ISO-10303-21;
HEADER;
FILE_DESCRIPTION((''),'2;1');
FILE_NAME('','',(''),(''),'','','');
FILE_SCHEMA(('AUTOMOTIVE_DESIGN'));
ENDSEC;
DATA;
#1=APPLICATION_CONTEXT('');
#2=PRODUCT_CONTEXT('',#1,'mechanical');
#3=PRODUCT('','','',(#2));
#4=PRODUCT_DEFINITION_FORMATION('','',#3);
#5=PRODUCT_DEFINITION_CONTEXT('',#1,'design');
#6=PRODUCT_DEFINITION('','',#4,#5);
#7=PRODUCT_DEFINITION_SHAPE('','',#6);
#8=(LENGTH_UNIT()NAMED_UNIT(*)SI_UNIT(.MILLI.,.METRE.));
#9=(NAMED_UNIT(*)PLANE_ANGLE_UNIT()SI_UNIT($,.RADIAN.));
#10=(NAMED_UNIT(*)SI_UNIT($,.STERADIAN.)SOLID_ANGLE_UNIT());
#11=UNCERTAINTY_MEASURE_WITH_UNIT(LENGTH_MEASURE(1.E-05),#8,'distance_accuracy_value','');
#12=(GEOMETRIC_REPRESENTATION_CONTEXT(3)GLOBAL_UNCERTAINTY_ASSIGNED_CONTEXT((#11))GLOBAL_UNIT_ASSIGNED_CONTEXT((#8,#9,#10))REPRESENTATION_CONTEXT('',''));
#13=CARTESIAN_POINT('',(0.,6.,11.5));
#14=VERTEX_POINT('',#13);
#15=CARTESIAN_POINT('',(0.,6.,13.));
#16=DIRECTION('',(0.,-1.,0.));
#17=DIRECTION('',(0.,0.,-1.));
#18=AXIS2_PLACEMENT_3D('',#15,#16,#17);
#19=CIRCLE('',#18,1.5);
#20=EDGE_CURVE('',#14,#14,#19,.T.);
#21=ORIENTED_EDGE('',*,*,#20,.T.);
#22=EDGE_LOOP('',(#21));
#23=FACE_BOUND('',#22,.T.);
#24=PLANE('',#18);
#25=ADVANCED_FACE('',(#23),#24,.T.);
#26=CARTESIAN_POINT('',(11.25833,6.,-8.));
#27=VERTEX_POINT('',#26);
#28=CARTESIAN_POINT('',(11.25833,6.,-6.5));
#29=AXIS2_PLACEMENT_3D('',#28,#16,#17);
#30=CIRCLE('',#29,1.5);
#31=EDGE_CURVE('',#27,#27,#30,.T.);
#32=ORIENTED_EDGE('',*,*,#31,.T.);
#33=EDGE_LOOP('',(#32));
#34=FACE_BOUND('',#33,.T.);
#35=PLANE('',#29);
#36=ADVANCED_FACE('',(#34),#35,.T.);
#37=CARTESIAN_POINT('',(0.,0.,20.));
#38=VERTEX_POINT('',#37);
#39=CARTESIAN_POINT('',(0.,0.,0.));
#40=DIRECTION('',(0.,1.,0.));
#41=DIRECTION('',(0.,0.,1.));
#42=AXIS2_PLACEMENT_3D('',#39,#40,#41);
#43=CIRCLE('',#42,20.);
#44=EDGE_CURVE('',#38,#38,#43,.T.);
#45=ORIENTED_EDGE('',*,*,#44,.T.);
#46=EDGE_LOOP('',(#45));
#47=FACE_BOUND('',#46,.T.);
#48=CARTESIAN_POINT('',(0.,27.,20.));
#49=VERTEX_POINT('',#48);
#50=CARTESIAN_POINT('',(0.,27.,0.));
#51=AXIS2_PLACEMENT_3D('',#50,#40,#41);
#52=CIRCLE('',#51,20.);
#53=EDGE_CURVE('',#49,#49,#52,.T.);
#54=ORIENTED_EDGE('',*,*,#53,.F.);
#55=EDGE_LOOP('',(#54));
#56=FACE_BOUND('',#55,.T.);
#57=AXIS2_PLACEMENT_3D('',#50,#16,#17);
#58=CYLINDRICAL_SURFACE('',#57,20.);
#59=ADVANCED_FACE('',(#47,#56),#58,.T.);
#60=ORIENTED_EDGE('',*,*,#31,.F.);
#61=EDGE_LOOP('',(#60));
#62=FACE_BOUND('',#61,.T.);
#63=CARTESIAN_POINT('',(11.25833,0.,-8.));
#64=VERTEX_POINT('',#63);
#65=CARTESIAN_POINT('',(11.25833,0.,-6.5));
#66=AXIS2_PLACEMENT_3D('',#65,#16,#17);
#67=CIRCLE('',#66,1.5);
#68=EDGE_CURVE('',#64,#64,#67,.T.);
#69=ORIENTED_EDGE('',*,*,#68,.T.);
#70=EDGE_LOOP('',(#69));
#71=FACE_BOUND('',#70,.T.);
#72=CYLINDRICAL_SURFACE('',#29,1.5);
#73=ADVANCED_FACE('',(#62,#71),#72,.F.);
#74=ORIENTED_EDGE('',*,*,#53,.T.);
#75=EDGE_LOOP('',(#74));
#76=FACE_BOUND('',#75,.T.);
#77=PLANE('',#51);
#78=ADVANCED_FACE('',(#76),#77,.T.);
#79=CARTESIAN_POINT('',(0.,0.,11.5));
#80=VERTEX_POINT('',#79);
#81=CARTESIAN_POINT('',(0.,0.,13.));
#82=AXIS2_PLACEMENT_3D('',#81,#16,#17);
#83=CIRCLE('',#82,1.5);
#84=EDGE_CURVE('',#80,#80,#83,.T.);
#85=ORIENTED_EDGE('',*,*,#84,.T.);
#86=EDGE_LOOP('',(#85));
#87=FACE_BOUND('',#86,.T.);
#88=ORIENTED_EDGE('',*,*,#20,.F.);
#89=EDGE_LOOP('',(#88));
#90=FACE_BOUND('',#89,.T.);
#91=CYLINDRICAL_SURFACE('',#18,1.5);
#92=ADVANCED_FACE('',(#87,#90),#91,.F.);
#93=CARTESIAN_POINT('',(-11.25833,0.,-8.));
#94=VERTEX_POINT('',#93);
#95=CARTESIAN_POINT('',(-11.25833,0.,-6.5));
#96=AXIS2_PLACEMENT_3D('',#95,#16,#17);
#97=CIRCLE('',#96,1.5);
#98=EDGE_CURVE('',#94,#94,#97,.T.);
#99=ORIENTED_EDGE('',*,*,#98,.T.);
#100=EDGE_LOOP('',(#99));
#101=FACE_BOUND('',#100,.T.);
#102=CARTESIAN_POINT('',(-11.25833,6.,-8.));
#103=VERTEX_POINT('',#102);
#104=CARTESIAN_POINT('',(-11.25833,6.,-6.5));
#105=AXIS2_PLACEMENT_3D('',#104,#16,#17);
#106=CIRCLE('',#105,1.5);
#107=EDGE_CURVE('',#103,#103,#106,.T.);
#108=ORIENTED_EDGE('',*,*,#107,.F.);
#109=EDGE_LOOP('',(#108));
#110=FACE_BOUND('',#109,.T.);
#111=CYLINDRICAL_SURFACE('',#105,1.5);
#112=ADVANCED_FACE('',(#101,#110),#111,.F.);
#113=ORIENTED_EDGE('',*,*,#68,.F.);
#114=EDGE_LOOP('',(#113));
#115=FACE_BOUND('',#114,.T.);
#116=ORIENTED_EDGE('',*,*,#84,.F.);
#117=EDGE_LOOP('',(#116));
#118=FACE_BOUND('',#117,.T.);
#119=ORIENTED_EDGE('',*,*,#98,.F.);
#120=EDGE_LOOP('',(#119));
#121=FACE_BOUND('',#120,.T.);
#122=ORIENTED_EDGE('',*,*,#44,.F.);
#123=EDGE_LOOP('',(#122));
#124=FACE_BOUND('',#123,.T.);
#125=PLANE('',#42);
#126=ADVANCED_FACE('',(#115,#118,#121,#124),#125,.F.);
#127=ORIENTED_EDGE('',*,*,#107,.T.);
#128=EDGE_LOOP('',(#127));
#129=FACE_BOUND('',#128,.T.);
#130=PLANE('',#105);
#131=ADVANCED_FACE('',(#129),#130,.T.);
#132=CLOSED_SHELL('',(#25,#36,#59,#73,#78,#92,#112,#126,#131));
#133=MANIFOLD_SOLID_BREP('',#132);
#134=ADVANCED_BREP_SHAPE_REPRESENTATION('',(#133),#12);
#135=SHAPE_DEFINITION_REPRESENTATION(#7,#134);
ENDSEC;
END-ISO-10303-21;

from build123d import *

# Parameters (mm, degrees)
SKETCH1_R           = 20
BOSS_EXTRUDE1_DEPTH = 27
SKETCH2_R           = 1.5
CUT_EXTRUDE1_DEPTH  = 6


with BuildPart() as part:
    # Sketch1 → Boss-Extrude1 (new body)
    with BuildSketch(Plane(origin=(0, 0, 0), x_dir=(1, 0, 0), z_dir=(0, 1, 0))):
        with Locations(Location((0, 0, 0), (0, 0, 270))):
            Circle(SKETCH1_R)
    extrude(amount=BOSS_EXTRUDE1_DEPTH)

    # Sketch2 → Cut-Extrude1 (cut)
    with BuildSketch(Plane.XZ):
        with Locations(Location((0, 13, 0), (0, 0, 270))):
            Circle(SKETCH2_R)
        with Locations(Location((11.258330249, -6.5, 0), (0, 0, 270))):
            Circle(SKETCH2_R)
        with Locations(Location((-11.258330249, -6.5, 0), (0, 0, 270))):
            Circle(SKETCH2_R)
    extrude(amount=-CUT_EXTRUDE1_DEPTH, mode=Mode.SUBTRACT)


solid = part.part
